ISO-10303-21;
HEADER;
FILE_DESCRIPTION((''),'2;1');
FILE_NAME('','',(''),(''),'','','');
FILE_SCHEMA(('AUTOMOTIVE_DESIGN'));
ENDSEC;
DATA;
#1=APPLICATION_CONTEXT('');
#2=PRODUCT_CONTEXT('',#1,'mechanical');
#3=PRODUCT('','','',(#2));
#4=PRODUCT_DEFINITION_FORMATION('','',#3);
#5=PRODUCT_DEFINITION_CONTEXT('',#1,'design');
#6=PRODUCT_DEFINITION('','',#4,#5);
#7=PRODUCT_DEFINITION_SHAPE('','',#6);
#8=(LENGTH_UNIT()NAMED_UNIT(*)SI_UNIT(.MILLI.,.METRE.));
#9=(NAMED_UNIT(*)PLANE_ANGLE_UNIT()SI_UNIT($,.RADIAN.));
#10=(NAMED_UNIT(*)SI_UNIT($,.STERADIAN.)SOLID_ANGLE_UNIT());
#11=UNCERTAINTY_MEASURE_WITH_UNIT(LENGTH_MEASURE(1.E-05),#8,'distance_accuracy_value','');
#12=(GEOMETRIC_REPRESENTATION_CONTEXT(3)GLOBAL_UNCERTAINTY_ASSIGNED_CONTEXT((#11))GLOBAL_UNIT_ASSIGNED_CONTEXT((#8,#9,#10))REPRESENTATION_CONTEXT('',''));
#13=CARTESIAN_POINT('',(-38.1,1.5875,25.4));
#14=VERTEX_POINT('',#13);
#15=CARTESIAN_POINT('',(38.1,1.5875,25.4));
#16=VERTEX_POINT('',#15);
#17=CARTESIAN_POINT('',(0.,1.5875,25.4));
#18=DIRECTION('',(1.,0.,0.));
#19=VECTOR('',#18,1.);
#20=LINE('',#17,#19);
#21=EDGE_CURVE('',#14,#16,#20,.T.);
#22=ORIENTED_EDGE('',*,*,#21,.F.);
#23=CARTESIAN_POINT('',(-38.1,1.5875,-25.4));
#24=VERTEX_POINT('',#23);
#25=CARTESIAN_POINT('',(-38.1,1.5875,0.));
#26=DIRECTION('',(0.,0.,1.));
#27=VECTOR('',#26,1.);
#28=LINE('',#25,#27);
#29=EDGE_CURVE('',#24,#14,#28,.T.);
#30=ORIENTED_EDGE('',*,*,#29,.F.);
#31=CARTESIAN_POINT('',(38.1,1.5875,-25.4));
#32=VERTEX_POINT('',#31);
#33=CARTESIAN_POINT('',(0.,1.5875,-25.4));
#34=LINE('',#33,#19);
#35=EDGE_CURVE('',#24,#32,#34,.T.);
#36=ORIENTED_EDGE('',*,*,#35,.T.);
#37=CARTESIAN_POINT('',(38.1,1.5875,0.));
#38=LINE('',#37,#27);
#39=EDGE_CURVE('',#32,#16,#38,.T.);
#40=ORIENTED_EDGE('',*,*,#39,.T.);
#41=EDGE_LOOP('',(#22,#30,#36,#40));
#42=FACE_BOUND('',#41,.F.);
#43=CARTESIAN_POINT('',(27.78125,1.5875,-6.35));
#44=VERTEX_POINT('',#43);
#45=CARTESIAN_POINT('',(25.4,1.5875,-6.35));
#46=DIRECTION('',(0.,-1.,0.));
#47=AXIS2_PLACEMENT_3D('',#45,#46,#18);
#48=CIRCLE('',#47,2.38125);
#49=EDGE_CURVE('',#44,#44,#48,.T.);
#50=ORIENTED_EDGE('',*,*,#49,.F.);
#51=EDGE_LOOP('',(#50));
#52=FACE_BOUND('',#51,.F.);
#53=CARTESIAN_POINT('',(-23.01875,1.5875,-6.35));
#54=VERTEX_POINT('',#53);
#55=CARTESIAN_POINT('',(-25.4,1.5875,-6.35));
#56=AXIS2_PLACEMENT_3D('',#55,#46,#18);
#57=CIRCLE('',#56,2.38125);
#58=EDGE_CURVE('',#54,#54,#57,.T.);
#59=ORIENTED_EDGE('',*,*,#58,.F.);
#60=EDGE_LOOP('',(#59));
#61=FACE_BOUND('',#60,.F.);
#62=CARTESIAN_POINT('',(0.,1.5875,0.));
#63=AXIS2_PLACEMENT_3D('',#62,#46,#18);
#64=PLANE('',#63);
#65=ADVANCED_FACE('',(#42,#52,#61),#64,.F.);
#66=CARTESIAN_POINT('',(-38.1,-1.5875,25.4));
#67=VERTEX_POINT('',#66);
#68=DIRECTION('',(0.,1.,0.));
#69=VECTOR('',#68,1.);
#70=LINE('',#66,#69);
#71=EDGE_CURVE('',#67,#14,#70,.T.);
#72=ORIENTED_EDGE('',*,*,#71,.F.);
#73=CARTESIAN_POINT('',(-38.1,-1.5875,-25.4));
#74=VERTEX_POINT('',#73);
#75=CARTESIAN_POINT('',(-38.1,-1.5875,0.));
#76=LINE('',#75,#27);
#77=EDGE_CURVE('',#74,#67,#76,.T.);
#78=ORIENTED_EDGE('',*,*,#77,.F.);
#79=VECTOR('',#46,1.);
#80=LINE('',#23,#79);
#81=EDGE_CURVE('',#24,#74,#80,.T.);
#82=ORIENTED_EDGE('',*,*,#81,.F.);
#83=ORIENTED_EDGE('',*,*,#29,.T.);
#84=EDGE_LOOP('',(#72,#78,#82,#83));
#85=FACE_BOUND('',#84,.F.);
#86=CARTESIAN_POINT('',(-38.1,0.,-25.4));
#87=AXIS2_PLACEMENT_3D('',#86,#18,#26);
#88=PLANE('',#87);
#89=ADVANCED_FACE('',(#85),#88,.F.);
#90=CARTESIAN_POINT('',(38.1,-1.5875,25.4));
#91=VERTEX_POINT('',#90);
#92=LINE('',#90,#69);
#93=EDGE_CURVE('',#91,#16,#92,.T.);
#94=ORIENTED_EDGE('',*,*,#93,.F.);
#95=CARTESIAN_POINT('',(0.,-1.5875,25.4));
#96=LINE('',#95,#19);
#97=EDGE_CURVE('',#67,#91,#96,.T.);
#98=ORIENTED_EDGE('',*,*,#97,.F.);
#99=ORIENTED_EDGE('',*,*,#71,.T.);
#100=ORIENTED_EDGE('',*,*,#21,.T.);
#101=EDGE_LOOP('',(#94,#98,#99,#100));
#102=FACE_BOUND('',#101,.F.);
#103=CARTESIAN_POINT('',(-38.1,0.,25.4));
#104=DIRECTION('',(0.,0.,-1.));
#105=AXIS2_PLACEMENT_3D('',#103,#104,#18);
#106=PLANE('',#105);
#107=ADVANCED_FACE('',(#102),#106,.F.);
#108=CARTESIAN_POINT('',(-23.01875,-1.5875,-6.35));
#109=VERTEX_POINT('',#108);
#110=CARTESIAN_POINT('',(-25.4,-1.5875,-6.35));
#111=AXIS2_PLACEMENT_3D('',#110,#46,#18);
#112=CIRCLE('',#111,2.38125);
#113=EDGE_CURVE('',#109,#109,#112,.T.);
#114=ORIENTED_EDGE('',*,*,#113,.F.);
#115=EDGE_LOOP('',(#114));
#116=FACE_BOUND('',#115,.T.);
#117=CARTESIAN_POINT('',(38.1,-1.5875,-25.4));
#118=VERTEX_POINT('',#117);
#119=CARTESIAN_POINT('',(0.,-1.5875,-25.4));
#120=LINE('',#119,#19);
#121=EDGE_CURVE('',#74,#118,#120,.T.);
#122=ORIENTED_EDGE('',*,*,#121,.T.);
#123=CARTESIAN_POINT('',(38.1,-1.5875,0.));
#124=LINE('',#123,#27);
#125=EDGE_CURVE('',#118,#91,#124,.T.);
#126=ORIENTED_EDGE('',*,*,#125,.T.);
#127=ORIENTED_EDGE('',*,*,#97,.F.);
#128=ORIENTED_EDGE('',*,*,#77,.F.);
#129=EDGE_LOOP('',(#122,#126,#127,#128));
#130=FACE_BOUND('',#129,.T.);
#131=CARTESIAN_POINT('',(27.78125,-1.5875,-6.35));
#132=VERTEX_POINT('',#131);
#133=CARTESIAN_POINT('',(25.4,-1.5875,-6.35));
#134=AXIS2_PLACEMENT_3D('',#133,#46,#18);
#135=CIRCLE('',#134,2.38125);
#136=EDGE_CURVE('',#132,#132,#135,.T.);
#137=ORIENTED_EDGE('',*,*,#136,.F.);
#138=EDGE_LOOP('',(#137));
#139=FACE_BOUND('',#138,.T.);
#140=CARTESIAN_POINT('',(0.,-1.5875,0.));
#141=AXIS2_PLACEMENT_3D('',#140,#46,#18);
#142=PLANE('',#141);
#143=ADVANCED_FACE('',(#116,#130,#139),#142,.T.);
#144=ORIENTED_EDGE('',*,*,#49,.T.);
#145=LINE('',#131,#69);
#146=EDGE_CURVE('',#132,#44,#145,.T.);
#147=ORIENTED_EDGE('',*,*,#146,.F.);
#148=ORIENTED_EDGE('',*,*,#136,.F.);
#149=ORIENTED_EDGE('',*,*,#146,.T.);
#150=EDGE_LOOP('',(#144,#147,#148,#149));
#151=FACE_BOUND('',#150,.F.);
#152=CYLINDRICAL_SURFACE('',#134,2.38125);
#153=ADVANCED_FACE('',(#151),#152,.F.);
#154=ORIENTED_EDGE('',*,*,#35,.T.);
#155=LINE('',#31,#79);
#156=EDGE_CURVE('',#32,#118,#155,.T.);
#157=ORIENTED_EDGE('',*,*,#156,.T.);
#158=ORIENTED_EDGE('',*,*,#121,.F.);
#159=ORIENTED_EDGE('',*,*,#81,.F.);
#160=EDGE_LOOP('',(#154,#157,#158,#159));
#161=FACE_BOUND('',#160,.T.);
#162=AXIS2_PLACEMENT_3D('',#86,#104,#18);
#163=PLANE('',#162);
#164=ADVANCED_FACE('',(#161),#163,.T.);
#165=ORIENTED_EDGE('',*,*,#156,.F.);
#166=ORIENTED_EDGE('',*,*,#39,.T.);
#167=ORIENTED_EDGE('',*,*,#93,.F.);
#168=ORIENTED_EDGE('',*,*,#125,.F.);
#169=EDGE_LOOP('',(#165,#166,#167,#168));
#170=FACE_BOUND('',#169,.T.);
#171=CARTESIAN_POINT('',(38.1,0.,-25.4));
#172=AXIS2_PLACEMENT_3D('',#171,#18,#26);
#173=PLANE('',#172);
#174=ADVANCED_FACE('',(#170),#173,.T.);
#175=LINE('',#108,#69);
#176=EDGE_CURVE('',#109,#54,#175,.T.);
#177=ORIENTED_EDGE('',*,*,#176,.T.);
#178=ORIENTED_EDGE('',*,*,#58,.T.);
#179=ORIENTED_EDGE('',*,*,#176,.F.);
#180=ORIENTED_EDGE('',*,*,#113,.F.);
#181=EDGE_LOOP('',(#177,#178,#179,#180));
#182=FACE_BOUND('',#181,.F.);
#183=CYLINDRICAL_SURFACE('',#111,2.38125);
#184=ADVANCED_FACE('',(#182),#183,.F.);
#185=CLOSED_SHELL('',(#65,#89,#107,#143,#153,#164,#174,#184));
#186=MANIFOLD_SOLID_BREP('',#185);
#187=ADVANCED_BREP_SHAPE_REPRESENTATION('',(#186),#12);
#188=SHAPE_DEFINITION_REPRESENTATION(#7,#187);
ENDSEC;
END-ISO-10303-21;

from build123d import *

# Parameters (mm, degrees)
F0_W     = 76.2
F0_H     = 50.8
F1_DEPTH = 1.5875
F2_R     = 2.38125
F3_DEPTH = 3.176


with BuildPart() as f1:
    # F0 (on Front) → F1 (new body, symmetric)
    with BuildSketch(Plane.XZ):
        Rectangle(F0_W, F0_H)
    extrude(amount=F1_DEPTH, both=True)

    # F2 (on face) → F3 (cut, through all)
    with BuildSketch(Plane.XZ.offset(1.5875)):
        with Locations((25.4, -6.35)):
            Circle(F2_R)
        with Locations((-25.4, -6.35)):
            Circle(F2_R)
    extrude(amount=-F3_DEPTH, mode=Mode.SUBTRACT)


solid = f1.part
